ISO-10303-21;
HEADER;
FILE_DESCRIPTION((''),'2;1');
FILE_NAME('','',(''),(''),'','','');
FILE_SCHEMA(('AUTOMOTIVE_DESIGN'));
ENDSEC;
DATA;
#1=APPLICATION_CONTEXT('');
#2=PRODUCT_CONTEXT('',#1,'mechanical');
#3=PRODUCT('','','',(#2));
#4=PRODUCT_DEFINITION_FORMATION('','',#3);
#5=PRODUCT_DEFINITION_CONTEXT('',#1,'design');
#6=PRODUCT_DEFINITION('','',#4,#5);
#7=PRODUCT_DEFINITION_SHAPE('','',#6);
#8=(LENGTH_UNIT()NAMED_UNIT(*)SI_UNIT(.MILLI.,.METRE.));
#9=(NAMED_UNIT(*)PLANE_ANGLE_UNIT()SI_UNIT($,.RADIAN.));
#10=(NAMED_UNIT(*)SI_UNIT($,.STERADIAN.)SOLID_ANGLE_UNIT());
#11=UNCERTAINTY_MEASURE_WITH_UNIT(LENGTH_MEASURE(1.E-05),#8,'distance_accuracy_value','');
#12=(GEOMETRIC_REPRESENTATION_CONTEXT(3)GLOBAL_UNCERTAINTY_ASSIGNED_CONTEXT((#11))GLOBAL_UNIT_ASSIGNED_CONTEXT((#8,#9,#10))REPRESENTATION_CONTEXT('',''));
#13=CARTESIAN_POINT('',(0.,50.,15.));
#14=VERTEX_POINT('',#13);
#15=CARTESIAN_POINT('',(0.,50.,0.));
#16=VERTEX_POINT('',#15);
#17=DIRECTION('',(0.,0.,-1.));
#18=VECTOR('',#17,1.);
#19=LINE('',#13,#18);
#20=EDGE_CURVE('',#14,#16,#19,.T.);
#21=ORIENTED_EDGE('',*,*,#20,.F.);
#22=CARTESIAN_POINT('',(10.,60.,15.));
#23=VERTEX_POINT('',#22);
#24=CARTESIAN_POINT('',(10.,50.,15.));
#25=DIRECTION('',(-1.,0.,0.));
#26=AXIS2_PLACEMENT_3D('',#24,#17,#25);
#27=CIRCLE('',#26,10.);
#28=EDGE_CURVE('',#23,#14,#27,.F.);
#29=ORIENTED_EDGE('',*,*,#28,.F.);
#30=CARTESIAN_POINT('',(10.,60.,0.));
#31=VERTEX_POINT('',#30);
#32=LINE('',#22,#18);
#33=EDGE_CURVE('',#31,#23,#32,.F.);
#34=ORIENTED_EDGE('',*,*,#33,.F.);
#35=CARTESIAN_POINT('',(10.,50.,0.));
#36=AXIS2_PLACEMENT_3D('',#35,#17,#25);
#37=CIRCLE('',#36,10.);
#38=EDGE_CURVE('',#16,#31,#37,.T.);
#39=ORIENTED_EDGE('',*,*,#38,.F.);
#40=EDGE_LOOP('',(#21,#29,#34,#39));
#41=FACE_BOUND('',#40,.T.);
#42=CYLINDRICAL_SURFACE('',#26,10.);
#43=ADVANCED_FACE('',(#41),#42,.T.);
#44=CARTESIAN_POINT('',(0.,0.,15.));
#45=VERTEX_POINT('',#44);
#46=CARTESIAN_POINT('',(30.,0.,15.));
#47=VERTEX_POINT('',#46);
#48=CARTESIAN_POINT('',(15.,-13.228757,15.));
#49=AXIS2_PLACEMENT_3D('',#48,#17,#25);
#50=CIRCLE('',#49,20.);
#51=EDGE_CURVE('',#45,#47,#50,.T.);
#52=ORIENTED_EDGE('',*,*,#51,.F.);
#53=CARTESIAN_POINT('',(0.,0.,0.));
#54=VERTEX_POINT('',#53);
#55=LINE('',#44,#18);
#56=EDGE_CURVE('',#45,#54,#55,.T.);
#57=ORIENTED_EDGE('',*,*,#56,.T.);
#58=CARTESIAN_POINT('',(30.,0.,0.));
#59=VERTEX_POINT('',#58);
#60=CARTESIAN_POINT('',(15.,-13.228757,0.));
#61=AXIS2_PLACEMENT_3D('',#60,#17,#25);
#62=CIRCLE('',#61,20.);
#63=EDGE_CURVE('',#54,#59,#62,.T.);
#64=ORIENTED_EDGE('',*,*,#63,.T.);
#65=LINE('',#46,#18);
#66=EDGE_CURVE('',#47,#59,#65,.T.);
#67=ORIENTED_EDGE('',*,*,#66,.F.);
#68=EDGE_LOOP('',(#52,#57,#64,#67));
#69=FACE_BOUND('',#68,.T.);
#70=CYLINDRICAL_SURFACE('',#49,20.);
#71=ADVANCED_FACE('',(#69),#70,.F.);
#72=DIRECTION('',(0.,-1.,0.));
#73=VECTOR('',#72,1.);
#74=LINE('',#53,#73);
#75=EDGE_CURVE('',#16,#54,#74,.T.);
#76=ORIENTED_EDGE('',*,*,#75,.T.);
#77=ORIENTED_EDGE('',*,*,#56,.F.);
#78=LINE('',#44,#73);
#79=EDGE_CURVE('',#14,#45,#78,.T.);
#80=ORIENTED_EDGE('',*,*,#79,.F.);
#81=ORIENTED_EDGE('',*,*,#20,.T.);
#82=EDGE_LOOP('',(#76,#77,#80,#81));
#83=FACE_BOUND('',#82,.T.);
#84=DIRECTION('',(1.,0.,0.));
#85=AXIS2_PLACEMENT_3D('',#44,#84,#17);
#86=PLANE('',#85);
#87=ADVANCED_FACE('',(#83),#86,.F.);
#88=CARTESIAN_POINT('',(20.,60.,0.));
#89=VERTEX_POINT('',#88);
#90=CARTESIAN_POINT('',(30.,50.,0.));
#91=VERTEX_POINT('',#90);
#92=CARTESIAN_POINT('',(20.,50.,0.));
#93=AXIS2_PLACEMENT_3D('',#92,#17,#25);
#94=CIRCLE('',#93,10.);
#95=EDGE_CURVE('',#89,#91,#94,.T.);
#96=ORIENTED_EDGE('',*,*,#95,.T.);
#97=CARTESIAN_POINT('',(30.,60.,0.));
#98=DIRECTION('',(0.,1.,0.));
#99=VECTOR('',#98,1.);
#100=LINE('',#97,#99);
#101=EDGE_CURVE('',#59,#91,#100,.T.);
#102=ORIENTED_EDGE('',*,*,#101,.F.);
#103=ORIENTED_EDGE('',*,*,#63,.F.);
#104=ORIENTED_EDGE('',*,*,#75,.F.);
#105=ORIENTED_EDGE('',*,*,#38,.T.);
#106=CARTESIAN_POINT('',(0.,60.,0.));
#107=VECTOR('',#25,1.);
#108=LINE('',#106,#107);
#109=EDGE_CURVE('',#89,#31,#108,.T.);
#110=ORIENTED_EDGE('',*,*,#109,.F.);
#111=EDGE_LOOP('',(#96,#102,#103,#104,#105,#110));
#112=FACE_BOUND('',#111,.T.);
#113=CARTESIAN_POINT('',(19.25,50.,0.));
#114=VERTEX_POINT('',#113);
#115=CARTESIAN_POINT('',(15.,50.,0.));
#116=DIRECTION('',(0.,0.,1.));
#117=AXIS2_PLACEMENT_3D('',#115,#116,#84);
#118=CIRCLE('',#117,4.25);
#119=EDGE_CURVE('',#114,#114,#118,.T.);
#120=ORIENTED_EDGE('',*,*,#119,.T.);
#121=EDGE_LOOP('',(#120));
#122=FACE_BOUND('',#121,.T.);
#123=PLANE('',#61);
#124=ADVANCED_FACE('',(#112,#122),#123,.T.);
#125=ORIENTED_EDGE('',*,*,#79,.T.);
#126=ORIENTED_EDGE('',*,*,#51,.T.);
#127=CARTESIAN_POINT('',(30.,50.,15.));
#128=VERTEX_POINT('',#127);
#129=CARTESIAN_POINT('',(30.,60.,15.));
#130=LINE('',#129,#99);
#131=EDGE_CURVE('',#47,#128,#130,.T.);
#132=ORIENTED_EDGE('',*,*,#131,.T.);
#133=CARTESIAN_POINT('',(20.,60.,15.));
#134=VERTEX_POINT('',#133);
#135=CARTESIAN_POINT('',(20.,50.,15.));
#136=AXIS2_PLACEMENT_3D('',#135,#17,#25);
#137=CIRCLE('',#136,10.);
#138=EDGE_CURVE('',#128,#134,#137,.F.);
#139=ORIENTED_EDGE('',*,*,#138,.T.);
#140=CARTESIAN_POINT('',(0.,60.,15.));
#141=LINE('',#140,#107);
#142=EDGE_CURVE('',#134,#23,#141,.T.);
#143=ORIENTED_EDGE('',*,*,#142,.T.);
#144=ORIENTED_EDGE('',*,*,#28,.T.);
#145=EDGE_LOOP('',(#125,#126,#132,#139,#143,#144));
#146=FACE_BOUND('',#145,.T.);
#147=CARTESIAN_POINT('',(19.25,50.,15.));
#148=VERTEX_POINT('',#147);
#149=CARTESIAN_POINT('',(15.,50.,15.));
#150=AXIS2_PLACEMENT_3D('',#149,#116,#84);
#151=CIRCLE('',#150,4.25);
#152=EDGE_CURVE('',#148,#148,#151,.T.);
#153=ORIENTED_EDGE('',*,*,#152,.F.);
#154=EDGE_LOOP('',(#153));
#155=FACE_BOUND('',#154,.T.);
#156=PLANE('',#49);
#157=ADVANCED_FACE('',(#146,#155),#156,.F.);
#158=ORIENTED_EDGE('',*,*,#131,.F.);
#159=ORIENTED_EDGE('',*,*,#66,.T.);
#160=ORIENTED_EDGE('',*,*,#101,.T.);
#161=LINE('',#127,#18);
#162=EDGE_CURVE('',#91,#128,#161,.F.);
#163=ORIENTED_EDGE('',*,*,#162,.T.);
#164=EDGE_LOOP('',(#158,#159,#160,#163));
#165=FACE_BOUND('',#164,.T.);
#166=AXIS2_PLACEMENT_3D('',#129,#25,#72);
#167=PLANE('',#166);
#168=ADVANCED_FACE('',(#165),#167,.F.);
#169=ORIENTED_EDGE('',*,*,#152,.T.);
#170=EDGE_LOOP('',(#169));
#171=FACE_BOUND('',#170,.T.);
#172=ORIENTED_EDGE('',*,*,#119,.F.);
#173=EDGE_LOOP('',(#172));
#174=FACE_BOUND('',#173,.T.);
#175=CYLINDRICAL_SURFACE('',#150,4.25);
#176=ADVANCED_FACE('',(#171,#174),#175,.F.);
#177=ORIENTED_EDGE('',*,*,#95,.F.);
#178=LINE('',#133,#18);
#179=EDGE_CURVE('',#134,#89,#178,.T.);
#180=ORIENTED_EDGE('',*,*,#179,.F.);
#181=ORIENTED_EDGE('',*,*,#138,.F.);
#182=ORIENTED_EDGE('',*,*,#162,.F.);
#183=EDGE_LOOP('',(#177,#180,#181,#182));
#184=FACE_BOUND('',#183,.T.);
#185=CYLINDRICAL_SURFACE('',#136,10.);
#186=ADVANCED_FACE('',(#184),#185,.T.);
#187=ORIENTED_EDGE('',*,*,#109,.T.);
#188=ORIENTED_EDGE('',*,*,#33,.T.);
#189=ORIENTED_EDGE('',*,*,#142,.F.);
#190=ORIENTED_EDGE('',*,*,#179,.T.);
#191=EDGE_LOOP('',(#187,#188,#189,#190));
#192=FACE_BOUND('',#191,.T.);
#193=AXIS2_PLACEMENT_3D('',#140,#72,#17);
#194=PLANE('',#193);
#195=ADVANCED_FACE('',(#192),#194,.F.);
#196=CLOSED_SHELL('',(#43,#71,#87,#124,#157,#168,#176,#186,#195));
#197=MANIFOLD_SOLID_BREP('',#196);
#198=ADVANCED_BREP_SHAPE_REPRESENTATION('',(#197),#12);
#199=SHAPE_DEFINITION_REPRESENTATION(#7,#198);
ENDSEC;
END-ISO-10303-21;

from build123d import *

# Parameters (mm, degrees)
BOSS_EXTRU_1_DEPTH = 15
TROU_TARAUD_M101_D = 8.5
CONG_1_R           = 10


with BuildPart() as part:
    # Esquisse1 → Boss.-Extru.1 (new body)
    with BuildSketch(Plane.XY):
        with BuildLine():
            Line((0, 0), (0, 60))
            Line((0, 60), (30, 60))
            Line((30, 60), (30, 0))
            ThreePointArc((30, 0), (15, 6.771243445), (0, 0))
        make_face()
    extrude(amount=BOSS_EXTRU_1_DEPTH)

    # Trou taraudé M101 (through all)
    with Locations(Plane.XY.offset(15)):
        with Locations((15, 50)):
            Hole(TROU_TARAUD_M101_D / 2)

    # Congé1
    cong_1_edges = [part.edges().sort_by_distance(p)[0] for p in [
        (0, 60, 7.5),
        (30, 60, 7.5),
    ]]
    fillet(cong_1_edges, radius=CONG_1_R)


solid = part.part
